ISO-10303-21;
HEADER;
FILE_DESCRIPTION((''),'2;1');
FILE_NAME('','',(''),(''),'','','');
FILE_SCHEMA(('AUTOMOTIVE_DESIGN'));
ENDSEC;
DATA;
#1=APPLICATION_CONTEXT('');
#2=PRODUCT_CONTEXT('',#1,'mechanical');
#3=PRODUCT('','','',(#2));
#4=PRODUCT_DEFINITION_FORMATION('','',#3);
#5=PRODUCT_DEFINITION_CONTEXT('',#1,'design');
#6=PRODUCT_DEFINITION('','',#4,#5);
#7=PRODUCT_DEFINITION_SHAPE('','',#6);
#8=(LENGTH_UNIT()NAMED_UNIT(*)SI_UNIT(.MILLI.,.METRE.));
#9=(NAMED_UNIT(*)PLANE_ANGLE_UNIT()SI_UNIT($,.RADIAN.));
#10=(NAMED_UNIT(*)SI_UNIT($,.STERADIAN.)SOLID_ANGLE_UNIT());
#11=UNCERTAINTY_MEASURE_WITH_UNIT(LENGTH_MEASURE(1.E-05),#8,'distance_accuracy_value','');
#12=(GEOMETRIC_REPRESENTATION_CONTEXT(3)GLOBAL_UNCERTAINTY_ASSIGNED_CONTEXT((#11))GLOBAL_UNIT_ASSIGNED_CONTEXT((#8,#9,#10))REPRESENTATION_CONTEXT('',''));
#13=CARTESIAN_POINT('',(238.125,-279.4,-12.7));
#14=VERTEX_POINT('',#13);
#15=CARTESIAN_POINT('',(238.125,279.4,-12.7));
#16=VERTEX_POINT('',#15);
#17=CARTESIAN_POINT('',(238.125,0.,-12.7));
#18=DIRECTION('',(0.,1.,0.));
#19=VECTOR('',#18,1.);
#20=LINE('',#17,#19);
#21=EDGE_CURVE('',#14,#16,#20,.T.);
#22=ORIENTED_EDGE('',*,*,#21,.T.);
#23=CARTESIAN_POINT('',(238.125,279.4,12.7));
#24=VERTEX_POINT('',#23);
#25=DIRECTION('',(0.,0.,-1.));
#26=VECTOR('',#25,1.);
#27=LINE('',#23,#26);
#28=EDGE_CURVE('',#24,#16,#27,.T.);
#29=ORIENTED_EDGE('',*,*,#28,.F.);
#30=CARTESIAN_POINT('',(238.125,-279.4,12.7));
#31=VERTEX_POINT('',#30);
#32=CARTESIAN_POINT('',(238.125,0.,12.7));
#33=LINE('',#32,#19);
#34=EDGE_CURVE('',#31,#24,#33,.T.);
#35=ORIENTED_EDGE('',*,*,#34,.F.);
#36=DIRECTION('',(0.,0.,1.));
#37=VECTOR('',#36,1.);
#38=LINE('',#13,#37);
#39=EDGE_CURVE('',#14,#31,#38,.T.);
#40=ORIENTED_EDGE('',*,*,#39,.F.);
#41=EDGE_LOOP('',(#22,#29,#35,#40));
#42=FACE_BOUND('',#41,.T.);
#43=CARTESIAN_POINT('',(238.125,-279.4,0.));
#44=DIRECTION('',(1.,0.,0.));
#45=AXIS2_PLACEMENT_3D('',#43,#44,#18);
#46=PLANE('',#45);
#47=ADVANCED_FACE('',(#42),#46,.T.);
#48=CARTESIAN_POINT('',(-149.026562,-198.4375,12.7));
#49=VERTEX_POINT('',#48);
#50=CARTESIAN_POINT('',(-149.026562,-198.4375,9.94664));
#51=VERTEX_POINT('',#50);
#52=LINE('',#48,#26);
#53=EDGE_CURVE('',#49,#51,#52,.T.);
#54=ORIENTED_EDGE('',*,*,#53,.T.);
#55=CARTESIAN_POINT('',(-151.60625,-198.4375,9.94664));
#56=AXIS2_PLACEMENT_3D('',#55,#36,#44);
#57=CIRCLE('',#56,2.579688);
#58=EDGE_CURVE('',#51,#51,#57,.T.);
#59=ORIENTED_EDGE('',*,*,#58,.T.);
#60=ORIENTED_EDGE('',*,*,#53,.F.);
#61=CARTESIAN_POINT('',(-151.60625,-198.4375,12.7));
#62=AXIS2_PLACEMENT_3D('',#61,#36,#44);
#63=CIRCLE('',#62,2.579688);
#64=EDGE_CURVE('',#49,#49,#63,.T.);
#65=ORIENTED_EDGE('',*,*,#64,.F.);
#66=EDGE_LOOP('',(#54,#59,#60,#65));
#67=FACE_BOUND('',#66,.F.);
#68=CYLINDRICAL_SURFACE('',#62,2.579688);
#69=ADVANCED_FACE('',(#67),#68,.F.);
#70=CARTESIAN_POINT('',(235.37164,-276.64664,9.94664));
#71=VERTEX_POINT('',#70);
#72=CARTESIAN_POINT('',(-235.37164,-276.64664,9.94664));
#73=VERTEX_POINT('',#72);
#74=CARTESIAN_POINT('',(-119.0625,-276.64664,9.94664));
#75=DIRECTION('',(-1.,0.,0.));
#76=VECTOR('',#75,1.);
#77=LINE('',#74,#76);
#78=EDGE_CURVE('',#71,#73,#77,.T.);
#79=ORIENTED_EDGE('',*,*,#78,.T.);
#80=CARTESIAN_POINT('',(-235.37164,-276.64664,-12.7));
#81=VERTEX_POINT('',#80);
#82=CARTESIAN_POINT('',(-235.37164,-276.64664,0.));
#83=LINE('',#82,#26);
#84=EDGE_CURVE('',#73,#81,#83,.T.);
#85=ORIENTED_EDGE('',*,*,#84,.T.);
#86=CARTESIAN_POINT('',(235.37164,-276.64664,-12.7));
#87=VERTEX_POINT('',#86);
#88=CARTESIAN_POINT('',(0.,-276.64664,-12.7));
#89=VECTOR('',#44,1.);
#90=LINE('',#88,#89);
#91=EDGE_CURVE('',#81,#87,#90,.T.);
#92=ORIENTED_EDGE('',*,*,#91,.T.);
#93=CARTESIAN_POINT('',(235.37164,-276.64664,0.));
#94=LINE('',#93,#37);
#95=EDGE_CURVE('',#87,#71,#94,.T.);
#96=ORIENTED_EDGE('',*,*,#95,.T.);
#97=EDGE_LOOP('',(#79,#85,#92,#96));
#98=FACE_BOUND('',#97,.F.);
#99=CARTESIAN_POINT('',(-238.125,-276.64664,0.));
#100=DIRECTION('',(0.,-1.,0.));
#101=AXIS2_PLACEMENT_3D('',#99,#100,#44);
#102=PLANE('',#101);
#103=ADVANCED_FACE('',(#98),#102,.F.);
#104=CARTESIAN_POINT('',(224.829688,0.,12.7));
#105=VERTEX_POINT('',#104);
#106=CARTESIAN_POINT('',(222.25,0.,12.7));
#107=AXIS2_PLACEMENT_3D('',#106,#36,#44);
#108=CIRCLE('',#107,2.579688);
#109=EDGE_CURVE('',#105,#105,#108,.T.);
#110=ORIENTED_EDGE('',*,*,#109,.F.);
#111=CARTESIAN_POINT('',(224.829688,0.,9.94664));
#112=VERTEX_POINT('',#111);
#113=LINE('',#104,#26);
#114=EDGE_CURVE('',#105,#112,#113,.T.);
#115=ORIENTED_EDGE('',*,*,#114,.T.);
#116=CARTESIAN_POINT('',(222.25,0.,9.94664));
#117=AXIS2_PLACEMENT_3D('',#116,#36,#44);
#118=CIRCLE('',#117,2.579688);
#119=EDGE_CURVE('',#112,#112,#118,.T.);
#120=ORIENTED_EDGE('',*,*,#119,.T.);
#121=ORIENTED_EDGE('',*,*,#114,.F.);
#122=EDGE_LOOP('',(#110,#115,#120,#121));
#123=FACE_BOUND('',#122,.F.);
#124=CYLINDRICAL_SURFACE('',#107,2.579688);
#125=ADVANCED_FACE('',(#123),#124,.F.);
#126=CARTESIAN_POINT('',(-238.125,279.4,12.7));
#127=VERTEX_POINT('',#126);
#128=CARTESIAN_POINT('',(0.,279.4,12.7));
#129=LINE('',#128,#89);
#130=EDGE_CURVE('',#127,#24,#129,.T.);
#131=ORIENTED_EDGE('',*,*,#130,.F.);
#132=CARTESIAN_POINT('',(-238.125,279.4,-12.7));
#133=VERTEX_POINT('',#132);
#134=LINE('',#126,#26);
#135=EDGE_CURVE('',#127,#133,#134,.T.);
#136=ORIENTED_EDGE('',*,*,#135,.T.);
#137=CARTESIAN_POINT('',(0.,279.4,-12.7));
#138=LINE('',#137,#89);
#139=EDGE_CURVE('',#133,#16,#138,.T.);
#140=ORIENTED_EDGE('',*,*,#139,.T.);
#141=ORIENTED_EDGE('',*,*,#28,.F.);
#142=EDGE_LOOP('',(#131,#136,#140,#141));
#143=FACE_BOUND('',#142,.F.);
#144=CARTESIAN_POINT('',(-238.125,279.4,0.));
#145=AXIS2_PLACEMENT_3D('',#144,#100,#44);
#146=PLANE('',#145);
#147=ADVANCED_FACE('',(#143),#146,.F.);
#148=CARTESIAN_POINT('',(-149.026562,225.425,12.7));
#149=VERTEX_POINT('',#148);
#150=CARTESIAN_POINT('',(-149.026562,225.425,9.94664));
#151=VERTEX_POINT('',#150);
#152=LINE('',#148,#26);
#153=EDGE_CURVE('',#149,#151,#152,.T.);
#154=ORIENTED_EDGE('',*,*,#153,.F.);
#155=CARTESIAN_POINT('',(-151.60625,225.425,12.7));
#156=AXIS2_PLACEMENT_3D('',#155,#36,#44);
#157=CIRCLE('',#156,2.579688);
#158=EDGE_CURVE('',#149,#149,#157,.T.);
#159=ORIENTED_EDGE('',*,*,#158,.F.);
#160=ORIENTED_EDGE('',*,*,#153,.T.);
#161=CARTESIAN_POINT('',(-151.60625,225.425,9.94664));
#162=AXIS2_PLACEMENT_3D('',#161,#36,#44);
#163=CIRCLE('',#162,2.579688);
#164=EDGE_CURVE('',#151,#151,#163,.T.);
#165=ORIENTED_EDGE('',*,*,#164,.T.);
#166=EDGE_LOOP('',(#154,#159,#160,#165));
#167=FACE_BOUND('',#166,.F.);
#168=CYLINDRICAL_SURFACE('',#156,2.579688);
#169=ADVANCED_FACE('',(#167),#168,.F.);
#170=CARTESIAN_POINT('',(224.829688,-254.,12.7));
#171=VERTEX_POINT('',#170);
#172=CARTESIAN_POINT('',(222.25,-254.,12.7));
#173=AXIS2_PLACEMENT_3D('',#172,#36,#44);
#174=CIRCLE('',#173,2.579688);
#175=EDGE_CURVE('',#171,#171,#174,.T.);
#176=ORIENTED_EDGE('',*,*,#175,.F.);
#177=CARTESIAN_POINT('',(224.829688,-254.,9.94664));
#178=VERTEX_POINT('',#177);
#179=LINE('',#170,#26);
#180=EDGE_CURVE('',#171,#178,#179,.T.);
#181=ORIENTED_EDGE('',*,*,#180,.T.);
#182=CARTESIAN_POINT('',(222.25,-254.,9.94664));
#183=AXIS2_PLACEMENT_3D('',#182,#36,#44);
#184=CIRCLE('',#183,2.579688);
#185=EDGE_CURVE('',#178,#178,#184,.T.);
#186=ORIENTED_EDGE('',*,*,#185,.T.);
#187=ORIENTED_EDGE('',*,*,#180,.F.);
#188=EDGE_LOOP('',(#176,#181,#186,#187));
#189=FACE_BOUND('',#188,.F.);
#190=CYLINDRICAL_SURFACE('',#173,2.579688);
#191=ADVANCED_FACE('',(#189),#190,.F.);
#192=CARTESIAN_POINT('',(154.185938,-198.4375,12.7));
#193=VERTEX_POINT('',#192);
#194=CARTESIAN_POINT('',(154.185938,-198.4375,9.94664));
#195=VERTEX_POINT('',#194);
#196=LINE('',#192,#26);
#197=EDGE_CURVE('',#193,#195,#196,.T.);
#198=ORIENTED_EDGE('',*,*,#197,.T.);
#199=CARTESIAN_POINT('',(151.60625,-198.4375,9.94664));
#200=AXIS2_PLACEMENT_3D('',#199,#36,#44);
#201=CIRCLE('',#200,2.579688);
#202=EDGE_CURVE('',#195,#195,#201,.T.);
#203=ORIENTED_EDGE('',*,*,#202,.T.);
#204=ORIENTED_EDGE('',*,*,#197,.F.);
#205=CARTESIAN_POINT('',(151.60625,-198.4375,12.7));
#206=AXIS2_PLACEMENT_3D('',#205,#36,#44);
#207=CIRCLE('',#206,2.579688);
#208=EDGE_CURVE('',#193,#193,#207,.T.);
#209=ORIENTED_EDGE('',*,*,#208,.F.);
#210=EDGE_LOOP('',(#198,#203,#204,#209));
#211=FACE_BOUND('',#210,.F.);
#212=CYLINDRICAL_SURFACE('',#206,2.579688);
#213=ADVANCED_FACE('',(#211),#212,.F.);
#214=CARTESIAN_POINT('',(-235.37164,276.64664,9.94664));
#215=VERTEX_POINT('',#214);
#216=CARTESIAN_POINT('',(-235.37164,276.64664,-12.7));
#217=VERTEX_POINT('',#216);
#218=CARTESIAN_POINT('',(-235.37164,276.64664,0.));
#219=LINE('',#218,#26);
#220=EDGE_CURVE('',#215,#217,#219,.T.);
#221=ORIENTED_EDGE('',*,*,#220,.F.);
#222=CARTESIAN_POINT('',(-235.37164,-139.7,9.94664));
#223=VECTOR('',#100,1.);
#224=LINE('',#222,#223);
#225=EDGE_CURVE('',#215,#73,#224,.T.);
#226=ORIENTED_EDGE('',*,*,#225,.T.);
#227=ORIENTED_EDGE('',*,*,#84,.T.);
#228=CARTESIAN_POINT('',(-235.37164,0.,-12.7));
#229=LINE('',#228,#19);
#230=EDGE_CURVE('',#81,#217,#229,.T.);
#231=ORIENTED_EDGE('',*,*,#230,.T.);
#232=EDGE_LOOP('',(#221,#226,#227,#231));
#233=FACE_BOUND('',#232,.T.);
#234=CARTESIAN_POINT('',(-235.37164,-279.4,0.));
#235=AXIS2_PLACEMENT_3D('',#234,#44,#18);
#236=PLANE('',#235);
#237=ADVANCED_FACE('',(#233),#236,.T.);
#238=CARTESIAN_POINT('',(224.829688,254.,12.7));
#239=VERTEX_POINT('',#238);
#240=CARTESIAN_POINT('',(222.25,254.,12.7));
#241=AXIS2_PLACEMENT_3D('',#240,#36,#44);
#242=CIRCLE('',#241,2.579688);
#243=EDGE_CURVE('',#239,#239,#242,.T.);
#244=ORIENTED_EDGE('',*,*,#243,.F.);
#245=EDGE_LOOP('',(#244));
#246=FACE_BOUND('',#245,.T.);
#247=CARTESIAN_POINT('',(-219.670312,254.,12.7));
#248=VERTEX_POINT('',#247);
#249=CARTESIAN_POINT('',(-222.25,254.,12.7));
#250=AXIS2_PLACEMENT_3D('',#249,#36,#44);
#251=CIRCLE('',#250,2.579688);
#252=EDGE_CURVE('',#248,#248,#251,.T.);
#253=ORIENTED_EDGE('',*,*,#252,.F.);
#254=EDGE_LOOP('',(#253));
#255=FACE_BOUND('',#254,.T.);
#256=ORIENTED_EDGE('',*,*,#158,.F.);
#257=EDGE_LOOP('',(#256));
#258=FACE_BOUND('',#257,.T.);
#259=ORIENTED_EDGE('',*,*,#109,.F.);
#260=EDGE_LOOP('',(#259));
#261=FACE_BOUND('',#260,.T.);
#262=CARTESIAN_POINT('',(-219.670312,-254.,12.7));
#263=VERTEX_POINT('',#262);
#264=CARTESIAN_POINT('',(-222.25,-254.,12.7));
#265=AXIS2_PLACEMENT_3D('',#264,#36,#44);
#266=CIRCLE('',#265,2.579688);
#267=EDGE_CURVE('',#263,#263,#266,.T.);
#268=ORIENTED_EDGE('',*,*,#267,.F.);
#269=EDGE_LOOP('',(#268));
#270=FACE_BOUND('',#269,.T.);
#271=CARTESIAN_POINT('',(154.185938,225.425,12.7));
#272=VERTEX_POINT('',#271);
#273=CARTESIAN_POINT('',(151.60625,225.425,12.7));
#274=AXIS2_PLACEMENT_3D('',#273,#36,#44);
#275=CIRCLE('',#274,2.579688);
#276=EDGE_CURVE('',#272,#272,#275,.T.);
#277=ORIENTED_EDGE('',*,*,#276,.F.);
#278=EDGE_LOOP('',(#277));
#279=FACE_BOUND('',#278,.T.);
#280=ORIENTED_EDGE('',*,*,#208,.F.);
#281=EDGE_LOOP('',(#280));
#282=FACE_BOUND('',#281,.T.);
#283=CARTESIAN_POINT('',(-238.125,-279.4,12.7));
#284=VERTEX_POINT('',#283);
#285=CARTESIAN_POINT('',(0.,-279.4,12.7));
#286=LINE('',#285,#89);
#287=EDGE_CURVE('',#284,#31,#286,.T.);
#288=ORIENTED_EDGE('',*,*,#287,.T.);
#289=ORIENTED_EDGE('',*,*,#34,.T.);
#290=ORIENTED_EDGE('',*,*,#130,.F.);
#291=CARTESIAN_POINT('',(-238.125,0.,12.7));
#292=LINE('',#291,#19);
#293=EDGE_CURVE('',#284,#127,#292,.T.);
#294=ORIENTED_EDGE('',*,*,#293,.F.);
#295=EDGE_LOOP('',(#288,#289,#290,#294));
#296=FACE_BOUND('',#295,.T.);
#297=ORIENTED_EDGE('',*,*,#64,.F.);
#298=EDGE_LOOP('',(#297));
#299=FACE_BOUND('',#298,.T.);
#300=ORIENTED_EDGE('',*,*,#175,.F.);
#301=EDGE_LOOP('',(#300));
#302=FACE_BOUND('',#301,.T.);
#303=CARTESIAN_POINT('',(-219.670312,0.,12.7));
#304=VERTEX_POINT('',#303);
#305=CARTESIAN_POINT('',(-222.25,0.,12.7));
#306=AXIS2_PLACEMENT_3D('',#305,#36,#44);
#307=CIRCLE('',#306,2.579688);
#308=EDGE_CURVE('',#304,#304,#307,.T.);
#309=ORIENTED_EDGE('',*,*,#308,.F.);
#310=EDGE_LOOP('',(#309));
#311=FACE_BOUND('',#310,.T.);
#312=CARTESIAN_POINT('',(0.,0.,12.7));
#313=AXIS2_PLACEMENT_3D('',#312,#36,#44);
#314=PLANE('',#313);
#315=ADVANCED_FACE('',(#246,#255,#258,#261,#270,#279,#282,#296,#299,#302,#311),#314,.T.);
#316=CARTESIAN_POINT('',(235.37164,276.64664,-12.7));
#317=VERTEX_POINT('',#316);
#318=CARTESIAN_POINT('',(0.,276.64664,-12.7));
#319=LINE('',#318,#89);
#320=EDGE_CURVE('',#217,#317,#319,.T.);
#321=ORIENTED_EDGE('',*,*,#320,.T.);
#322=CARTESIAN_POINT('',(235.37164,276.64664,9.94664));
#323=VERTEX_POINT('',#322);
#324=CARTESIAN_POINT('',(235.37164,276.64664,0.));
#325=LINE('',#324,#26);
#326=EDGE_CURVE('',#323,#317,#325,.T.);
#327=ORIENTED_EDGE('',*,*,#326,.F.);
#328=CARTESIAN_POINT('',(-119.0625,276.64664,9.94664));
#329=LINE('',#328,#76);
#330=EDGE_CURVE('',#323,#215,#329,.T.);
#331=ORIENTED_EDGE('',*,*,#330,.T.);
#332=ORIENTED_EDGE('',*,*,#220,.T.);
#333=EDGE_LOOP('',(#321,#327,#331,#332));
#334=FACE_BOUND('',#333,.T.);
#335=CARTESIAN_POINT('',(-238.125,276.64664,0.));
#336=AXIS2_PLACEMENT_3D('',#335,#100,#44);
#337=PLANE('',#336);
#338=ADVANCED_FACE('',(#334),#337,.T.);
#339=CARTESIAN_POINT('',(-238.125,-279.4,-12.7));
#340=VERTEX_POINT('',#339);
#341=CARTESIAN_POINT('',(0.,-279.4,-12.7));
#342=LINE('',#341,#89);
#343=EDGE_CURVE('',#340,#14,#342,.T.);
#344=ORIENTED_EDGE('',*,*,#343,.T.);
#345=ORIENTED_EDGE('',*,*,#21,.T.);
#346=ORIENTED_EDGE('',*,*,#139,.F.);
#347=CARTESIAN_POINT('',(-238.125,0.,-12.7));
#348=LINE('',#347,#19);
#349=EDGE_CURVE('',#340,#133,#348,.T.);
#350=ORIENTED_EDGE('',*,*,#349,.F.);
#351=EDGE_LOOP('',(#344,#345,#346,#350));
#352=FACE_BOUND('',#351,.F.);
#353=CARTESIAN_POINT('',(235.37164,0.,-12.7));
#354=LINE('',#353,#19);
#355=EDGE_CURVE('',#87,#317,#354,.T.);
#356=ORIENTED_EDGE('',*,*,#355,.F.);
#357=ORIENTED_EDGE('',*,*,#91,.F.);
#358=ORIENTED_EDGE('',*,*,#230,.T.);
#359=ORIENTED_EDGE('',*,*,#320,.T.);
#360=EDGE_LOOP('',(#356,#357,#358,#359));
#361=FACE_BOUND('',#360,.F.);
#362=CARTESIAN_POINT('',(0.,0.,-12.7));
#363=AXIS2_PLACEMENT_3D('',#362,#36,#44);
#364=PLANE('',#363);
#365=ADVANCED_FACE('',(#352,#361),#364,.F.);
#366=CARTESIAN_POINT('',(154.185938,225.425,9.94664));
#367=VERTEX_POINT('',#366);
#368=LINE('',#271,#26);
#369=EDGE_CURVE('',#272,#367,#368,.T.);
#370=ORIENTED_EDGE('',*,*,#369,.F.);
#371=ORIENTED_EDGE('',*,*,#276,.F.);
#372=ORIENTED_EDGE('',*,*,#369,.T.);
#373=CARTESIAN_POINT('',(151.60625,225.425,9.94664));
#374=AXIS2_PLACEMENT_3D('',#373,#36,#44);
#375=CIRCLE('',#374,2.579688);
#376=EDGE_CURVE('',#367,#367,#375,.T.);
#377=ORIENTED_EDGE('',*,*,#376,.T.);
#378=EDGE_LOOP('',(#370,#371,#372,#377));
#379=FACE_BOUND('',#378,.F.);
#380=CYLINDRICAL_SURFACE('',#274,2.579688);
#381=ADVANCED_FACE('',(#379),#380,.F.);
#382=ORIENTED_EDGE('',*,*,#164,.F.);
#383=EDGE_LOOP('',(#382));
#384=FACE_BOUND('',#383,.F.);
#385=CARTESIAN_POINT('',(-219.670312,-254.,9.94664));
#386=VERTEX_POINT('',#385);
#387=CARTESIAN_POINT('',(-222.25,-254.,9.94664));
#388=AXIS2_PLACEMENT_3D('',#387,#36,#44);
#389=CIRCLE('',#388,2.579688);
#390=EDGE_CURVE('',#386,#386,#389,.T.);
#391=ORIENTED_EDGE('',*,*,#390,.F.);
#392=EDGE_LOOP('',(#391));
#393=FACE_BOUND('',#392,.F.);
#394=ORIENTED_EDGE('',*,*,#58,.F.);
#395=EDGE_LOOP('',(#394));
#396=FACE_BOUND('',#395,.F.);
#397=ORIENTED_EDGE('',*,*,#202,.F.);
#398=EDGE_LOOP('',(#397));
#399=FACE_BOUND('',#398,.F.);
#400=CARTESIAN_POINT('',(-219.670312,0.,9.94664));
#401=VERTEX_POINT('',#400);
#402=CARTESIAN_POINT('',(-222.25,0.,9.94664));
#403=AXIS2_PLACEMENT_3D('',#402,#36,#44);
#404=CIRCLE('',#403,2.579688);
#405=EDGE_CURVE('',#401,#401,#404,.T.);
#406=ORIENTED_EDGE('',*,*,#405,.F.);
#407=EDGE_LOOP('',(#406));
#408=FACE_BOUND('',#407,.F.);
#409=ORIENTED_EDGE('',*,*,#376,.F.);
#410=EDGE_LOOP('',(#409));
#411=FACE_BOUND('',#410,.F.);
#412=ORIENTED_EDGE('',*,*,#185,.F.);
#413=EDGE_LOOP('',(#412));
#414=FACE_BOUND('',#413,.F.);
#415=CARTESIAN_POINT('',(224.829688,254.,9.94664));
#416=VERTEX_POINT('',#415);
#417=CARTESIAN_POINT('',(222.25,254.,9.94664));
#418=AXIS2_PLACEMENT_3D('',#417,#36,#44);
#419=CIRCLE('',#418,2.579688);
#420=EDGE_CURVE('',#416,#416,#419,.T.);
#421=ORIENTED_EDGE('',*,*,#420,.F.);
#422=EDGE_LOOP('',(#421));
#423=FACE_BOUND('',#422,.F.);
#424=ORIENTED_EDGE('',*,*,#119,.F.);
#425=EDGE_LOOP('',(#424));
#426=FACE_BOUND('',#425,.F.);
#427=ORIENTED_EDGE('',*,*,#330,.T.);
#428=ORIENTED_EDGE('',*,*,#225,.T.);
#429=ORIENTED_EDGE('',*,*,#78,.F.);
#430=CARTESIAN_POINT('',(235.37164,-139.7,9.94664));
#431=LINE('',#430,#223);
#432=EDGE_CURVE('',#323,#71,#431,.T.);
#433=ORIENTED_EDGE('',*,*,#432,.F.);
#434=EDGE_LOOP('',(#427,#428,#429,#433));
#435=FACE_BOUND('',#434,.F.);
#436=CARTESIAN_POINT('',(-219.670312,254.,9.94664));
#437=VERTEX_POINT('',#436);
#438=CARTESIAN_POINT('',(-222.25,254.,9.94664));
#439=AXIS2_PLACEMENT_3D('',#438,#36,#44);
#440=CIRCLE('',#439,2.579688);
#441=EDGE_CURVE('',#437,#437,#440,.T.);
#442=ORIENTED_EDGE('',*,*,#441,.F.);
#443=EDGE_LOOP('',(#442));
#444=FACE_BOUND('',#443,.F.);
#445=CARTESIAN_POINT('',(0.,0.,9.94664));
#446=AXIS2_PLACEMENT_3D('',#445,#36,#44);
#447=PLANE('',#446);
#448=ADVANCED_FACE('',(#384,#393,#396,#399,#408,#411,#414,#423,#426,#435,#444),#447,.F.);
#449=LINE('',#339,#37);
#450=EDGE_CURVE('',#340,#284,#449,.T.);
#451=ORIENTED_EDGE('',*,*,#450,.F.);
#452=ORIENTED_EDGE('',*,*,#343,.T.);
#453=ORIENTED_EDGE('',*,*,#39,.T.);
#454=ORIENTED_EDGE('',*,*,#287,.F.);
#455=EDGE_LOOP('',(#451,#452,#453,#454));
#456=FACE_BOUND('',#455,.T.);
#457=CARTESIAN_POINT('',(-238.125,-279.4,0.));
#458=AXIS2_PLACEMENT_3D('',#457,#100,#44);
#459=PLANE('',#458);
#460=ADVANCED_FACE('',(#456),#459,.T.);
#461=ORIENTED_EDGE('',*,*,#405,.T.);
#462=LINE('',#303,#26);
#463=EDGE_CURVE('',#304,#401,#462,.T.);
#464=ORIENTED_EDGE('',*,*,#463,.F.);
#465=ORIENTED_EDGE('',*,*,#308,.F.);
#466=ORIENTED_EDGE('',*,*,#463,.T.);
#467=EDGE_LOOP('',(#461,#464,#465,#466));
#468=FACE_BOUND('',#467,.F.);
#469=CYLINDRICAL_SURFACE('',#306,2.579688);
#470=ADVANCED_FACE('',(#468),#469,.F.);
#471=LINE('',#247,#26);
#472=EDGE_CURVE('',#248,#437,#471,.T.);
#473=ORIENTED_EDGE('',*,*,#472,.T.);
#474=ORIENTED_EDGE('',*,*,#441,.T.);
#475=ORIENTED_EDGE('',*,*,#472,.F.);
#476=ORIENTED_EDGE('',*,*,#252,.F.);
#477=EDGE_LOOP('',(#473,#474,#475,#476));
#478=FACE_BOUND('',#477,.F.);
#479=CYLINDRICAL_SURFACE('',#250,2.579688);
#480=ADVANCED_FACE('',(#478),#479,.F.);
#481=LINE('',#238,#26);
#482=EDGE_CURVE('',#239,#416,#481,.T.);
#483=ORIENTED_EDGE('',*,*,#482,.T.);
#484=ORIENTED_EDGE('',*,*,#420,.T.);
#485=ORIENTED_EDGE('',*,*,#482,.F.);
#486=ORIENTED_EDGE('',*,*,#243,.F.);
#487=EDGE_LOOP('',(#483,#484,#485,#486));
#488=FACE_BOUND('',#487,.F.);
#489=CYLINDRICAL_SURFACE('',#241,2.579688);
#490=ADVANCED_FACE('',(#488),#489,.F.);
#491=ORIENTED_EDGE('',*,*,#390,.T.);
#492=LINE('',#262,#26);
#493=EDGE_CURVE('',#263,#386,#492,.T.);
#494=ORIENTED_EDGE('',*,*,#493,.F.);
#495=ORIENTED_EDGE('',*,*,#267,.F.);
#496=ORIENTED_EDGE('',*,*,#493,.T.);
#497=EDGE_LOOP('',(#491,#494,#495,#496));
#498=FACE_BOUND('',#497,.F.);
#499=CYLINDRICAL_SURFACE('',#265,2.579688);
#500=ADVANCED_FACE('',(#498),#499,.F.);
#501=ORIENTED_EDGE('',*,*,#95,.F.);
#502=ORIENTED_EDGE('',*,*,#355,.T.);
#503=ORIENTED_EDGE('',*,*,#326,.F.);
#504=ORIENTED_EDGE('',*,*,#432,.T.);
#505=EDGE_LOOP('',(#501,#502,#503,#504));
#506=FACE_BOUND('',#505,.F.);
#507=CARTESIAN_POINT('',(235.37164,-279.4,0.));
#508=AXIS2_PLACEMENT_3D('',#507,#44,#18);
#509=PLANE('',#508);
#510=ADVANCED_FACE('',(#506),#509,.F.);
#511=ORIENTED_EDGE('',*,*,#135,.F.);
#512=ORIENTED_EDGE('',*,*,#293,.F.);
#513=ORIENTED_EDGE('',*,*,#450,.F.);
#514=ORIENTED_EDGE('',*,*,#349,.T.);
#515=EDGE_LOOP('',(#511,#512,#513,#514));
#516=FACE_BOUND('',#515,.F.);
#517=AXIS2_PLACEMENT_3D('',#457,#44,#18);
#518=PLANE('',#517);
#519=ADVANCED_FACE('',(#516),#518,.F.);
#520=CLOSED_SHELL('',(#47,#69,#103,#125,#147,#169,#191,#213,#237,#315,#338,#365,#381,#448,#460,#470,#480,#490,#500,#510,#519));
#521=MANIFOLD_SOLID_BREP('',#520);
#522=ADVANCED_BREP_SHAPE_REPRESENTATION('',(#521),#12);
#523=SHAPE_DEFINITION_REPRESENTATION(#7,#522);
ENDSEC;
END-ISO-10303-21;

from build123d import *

# Parameters (mm, degrees)
F0_W     = 476.25
F0_H     = 558.8
F1_DEPTH = 12.7
F2_T     = -2.75336
F3_R     = 2.579688
F4_DEPTH = 25.401


with BuildPart() as f1:
    # F0 (on Top) → F1 (new body, symmetric)
    with BuildSketch(Plane.XY):
        Rectangle(F0_W, F0_H)
    extrude(amount=F1_DEPTH, both=True)

    # F2
    f2_openings = [f1.faces().sort_by_distance(p)[0] for p in [
        (0, 0, -12.7),
    ]]
    offset(amount=F2_T, openings=f2_openings)

    # F3 (on face) → F4 (cut, through all)
    with BuildSketch(Plane.XY.offset(12.7)):
        with Locations((-151.60625, 225.425)):
            Circle(F3_R)
        with Locations((151.60625, 225.425)):
            Circle(F3_R)
        with Locations((151.60625, -198.4375)):
            Circle(F3_R)
        with Locations((-151.60625, -198.4375)):
            Circle(F3_R)
        with Locations((-222.25, -254)):
            Circle(F3_R)
        with Locations((-222.25, 254)):
            Circle(F3_R)
        with Locations((222.25, -254)):
            Circle(F3_R)
        with Locations((222.25, 254)):
            Circle(F3_R)
        with Locations((-222.25, 0)):
            Circle(F3_R)
        with Locations((222.25, 0)):
            Circle(F3_R)
    extrude(amount=-F4_DEPTH, mode=Mode.SUBTRACT)


solid = f1.part
